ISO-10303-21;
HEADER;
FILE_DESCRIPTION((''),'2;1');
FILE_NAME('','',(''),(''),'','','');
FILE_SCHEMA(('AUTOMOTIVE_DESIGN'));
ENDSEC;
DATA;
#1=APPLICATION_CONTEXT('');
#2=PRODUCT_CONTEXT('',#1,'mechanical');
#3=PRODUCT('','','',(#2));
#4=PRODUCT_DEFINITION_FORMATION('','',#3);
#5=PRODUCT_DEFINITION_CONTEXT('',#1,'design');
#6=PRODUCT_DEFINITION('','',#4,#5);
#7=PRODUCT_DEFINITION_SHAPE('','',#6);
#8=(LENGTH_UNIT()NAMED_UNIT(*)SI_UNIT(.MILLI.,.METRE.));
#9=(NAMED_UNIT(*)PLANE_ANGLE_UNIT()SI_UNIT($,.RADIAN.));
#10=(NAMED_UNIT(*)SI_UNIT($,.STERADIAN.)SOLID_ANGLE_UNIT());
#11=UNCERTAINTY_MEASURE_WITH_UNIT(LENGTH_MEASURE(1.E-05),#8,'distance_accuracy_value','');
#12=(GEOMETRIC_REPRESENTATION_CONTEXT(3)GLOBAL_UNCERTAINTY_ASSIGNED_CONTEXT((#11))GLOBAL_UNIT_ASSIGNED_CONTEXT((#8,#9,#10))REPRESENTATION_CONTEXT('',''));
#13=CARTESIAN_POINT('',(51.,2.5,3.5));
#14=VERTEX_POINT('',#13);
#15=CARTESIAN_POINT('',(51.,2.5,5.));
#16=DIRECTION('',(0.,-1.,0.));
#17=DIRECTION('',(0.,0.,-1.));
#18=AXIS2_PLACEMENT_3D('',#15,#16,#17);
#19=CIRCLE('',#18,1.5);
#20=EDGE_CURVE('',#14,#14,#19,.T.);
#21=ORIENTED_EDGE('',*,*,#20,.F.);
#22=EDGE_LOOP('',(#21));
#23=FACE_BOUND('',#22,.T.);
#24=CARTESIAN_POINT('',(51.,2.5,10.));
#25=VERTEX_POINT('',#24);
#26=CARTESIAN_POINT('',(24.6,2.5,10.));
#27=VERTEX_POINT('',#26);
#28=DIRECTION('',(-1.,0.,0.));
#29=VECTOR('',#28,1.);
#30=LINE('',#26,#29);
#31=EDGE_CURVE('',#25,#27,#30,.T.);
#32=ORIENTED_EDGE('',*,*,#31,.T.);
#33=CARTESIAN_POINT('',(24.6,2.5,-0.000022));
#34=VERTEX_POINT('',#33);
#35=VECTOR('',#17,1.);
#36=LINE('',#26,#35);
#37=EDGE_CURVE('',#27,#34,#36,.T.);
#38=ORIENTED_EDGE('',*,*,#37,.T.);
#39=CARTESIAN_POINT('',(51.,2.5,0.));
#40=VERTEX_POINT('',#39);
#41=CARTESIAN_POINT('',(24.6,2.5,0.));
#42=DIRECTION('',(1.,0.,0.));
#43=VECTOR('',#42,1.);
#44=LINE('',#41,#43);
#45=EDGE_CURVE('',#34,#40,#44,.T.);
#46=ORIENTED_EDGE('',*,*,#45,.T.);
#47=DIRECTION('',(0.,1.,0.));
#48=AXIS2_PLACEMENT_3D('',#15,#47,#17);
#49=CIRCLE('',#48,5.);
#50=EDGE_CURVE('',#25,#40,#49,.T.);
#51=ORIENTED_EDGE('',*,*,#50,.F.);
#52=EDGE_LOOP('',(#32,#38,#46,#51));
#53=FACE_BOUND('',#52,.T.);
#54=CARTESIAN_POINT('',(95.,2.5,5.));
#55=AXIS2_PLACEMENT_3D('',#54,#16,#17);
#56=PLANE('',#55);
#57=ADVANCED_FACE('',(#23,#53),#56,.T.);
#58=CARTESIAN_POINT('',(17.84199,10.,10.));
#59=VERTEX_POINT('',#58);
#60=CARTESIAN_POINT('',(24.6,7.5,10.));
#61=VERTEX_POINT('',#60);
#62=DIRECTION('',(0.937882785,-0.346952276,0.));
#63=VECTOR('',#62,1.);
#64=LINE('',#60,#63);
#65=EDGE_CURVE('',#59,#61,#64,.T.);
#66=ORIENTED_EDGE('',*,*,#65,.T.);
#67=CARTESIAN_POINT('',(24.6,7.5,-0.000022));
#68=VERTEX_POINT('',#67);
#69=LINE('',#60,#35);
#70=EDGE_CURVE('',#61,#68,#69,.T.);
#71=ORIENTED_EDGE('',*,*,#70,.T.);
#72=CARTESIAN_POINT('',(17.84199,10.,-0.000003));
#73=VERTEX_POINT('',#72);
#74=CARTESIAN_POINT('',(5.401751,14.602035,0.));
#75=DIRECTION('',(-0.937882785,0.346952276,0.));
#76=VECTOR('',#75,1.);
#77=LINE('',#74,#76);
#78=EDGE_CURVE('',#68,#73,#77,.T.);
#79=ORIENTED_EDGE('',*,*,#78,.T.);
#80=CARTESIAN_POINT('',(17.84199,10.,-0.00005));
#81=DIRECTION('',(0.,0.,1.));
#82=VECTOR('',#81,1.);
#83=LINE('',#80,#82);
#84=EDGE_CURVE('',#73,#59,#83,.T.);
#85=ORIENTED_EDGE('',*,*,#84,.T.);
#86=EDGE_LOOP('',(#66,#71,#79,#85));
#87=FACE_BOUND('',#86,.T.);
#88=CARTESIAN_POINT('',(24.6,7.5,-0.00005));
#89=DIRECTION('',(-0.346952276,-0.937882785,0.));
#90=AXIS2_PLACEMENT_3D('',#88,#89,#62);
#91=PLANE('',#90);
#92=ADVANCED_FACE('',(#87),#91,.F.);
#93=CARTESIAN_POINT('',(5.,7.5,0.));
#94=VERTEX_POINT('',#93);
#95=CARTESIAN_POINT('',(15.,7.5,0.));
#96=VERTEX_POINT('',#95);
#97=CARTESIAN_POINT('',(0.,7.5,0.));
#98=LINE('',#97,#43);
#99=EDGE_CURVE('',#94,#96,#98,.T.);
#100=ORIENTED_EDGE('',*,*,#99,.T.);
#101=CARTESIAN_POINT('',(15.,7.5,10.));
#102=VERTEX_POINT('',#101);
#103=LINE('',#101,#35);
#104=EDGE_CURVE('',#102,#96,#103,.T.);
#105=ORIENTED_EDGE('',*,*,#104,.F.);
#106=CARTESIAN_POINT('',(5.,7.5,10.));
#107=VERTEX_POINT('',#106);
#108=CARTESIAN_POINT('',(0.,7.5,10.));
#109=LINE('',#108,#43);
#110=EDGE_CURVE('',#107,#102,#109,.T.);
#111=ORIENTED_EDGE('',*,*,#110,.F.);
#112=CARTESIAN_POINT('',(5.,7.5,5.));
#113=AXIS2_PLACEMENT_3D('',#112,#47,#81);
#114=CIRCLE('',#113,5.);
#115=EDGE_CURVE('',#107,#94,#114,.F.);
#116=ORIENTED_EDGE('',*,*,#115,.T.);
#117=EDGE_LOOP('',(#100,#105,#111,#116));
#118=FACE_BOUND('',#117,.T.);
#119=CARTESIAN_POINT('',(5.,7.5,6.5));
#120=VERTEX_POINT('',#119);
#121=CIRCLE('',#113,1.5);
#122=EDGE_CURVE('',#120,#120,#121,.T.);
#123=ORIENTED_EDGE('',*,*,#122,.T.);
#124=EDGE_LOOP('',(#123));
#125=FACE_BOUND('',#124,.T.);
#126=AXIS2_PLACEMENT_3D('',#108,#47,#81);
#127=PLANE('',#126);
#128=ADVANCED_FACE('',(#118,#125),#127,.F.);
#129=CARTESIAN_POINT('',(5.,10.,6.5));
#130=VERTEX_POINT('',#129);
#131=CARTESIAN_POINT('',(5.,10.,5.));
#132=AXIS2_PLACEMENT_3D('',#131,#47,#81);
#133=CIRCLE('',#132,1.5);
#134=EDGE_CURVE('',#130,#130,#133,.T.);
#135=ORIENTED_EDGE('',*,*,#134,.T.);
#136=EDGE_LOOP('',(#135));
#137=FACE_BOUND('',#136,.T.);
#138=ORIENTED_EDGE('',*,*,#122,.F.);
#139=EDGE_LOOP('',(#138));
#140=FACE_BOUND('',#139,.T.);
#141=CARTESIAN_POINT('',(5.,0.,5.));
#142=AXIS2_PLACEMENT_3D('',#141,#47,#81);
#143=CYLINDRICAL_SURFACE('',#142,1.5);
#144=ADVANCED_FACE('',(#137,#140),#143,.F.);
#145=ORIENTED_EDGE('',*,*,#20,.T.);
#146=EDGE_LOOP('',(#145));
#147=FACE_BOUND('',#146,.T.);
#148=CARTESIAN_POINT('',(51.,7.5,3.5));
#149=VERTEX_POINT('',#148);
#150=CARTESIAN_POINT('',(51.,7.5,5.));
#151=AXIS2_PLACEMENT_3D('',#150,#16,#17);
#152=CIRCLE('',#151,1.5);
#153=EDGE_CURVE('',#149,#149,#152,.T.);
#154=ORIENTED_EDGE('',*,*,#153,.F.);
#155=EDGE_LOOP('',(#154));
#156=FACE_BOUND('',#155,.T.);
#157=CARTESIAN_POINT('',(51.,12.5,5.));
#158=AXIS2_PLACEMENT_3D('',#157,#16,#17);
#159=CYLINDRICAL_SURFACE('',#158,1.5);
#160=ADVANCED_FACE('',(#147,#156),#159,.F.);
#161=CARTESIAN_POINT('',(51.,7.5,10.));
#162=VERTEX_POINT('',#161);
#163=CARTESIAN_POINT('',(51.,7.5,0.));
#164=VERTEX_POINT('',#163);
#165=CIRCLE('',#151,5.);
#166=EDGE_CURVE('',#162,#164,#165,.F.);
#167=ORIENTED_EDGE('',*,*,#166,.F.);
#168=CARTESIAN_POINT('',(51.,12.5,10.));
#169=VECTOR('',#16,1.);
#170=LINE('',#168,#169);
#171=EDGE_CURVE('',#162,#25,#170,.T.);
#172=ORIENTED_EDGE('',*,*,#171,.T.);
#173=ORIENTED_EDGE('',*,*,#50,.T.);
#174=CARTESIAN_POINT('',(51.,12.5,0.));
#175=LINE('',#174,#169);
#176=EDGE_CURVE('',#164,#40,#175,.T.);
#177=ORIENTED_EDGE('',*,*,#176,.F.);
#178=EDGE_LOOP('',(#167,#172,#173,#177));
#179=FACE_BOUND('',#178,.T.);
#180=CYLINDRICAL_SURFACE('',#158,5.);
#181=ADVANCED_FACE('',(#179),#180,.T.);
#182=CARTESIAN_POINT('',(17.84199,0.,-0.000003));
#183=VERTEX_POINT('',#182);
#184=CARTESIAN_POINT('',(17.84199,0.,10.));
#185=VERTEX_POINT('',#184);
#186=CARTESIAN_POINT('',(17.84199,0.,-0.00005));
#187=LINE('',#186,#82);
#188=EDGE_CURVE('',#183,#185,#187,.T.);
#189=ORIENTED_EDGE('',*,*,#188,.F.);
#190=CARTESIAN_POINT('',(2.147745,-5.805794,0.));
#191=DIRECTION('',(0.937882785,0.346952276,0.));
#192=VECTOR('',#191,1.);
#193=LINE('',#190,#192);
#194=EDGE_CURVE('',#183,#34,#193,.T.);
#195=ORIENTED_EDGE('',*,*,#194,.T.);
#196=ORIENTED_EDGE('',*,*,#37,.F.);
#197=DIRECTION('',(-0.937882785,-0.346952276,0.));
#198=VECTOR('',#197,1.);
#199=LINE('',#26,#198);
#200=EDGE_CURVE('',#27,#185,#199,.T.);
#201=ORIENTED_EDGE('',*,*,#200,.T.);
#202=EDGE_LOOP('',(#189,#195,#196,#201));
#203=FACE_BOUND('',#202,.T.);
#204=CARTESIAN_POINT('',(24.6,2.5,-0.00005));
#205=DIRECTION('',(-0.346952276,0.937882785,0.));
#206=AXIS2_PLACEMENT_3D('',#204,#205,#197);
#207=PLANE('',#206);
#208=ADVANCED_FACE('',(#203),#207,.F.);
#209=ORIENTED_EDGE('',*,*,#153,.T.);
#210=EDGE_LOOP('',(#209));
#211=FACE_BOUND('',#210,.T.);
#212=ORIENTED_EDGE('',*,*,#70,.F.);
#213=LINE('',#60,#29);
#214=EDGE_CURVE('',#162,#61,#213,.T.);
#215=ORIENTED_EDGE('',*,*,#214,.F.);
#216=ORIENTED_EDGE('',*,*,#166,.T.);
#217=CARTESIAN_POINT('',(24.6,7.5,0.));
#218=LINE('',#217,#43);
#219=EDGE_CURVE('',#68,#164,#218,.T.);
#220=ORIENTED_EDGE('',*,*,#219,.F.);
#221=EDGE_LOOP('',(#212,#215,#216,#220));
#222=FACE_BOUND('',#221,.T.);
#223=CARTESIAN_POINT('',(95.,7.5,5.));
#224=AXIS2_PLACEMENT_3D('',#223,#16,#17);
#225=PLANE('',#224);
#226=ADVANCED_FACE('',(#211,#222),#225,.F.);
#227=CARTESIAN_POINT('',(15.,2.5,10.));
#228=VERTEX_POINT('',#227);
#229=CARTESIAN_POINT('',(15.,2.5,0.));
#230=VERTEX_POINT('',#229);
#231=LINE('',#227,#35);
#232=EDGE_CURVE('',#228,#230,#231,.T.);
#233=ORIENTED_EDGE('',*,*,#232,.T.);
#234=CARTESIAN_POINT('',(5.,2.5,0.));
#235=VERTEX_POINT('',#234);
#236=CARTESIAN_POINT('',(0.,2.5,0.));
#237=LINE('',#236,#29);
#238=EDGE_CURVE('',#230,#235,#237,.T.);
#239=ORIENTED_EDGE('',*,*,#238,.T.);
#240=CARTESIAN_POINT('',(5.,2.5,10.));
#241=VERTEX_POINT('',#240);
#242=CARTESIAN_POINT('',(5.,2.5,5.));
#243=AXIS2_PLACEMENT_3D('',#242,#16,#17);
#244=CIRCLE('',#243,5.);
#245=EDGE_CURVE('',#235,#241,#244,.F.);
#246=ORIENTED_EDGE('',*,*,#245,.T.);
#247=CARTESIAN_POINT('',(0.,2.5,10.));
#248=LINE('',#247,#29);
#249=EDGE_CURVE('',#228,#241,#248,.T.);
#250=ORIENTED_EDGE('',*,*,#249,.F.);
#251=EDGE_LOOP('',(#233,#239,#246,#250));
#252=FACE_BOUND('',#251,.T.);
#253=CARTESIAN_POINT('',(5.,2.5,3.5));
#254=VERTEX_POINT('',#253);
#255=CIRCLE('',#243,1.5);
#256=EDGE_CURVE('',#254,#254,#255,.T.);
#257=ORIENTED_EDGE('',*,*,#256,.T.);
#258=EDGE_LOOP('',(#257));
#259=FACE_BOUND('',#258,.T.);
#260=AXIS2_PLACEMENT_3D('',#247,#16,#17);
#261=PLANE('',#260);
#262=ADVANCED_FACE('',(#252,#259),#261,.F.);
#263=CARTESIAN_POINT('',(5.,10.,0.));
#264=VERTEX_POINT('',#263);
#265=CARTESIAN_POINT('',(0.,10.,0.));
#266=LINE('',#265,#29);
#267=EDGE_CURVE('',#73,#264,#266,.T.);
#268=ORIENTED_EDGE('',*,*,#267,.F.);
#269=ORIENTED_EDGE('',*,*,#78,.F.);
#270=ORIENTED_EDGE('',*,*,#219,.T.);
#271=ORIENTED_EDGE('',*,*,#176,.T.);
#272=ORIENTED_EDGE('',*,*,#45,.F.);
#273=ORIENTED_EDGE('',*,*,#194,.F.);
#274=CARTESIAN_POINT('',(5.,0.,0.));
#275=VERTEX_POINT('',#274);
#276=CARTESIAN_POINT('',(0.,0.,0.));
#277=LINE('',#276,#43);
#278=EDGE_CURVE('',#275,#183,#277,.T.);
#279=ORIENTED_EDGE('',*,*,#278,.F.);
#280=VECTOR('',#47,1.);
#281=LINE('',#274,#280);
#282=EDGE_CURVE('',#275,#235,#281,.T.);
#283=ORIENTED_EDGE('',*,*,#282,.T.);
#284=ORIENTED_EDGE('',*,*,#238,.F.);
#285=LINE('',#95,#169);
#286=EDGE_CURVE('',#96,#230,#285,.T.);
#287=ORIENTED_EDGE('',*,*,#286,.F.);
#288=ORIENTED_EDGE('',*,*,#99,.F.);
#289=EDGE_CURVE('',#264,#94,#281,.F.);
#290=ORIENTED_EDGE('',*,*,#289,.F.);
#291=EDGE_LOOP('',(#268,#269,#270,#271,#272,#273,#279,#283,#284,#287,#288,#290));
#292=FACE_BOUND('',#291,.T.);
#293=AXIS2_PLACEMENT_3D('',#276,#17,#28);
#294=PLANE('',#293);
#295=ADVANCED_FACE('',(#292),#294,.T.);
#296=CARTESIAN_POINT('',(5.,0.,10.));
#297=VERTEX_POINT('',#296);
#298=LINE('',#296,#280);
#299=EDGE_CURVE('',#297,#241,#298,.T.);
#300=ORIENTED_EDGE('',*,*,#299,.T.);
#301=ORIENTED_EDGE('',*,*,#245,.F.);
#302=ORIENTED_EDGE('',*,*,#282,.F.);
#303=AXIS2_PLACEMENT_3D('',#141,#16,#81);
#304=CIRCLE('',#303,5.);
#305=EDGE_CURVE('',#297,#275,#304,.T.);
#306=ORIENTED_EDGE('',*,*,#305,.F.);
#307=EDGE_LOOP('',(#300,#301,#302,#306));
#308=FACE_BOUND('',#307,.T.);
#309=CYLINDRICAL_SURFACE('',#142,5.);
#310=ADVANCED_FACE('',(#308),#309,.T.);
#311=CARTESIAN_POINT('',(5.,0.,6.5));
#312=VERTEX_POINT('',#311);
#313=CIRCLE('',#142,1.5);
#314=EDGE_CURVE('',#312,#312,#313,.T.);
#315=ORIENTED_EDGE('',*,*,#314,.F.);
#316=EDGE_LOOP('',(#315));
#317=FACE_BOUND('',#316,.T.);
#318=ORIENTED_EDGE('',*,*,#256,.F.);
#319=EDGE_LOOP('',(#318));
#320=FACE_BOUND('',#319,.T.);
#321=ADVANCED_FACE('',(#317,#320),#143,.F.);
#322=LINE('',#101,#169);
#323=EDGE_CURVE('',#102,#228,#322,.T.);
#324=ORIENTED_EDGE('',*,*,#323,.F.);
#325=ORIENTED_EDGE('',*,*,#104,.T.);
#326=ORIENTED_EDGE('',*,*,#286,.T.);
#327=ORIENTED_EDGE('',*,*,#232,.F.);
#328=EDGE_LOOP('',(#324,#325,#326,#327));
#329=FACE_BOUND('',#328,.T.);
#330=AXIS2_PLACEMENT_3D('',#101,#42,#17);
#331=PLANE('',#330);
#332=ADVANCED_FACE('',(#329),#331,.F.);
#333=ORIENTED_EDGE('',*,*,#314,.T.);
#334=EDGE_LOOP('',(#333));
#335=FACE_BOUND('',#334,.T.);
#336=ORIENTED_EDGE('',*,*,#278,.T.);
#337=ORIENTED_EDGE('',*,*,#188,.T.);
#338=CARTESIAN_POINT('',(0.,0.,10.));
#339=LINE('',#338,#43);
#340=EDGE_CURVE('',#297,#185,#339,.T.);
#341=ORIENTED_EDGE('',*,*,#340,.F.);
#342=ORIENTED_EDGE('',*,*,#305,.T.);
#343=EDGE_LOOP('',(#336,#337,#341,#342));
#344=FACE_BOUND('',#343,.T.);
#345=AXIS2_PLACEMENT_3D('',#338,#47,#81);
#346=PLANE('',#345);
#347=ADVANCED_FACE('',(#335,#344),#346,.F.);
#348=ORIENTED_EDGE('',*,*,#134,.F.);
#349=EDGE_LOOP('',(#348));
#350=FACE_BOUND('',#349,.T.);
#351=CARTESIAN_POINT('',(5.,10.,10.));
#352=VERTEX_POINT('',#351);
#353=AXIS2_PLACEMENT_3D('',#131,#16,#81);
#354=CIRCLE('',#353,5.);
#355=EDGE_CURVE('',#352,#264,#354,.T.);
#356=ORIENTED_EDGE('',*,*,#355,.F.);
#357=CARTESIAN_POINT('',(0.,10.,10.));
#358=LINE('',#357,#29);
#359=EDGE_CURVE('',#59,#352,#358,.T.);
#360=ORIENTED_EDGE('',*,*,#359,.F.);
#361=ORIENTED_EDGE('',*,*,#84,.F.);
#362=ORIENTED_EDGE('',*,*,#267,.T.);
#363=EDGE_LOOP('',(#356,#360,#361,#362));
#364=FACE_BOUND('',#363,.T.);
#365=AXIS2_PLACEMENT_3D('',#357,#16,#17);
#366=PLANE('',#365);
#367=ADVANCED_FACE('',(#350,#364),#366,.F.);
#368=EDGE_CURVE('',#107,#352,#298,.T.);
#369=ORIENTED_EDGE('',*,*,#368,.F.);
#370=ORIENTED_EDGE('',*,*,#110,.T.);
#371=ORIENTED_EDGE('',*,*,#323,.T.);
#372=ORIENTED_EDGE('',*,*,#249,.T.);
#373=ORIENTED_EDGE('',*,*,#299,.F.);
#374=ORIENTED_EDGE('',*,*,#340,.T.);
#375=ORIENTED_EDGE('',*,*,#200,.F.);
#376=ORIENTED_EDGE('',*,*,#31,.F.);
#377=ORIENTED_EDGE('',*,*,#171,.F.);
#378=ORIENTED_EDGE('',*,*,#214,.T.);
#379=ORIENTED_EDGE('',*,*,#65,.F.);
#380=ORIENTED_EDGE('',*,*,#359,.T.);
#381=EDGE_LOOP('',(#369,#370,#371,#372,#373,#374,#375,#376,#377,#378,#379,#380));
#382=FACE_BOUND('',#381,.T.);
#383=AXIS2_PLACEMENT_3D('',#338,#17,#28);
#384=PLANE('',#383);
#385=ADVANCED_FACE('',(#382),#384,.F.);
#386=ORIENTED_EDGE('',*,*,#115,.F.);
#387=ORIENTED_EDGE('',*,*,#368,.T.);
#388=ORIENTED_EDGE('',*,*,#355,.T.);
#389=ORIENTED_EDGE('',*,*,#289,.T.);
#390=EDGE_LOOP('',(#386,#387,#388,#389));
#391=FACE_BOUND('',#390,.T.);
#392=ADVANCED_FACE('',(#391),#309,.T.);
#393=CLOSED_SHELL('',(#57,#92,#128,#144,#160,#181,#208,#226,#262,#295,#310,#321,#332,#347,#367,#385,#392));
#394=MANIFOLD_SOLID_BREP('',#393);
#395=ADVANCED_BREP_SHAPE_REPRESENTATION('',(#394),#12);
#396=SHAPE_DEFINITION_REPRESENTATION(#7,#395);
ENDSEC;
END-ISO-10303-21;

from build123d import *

# Parameters (mm, degrees)
SALIENTE_EXTRUIR1_DEPTH = 10
CROQUIS2_R              = 1.5
CORTAR_EXTRUIR1_DEPTH   = 10
CROQUIS3_W              = 15
CROQUIS3_H              = 2.5
CORTAR_EXTRUIR2_DEPTH   = 10
CROQUIS4_R              = 1.5
CORTAR_EXTRUIR3_DEPTH   = 10
CORTAR_EXTRUIR5_DEPTH   = 10
CROQUIS9_R              = 1.5
SALIENTE_EXTRUIR2_DEPTH = 2.5
CROQUIS11_R             = 1.5
CORTAR_EXTRUIR8_DEPTH   = 10
CORTAR_EXTRUIR9_DEPTH   = 58.758116313


with BuildPart() as part:
    # Croquis1 → Saliente-Extruir1 (new body)
    with BuildSketch(Plane.XY):
        Polygon((0, 0), (39.6, 0), (39.6, 2.5), (39.6, 7.5), (39.6, 10), (0, 10), (0, 7.5), (15, 7.5), (15, 2.5), (0, 2.5), align=None)
    extrude(amount=SALIENTE_EXTRUIR1_DEPTH)

    # Croquis2 → Cortar-Extruir1 (cut)
    with BuildSketch(Plane(origin=(0, 10, 0), x_dir=(1, 0, 0), z_dir=(0, 1, 0))):
        with Locations(Location((5, -5, 0), (0, 0, 270))):
            Circle(CROQUIS2_R)
        with BuildLine():
            Line((-4.031911586, 0), (5, 0))
            ThreePointArc((5, 0), (0, -5), (5, -10))
            Line((5, -10), (-4.031911586, -10))
            Line((-4.031911586, -10), (-4.031911586, 0))
        make_face()
    extrude(amount=-CORTAR_EXTRUIR1_DEPTH, mode=Mode.SUBTRACT)

    # Croquis3 → Cortar-Extruir2 (cut)
    with BuildSketch(Plane(origin=(0, 10, 0), x_dir=(1, 0, 0), z_dir=(0, 1, 0))):
        with Locations((32.1, -1.25)):
            Rectangle(CROQUIS3_W, CROQUIS3_H)
        with Locations((32.1, -8.75)):
            Rectangle(CROQUIS3_W, CROQUIS3_H)
    extrude(amount=-CORTAR_EXTRUIR2_DEPTH, mode=Mode.SUBTRACT)

    # Croquis4 → Cortar-Extruir3 (cut)
    with BuildSketch(Plane.XY.offset(7.5)):
        with Locations((34.6, 5)):
            Circle(CROQUIS4_R)
        with BuildLine():
            Line((34.6, 10), (103.004091933, 10))
            Line((103.004091933, 10), (103.004091933, 0))
            Line((103.004091933, 0), (34.6, 0))
            ThreePointArc((34.6, 0), (39.6, 5), (34.6, 10))
        make_face()
    extrude(amount=-CORTAR_EXTRUIR3_DEPTH, mode=Mode.SUBTRACT)

    # Croquis8 → Cortar-Extruir5 (cut)
    with BuildSketch(Plane.XY.offset(7.5)):
        with BuildLine():
            Line((24.6, 0), (34.6, 0))
            ThreePointArc((34.6, 0), (39.6, 5), (34.6, 10))
            Line((34.6, 10), (24.6, 10))
            Line((24.6, 10), (24.6, 0))
        make_face()
    extrude(amount=-CORTAR_EXTRUIR5_DEPTH, mode=Mode.SUBTRACT)

    # Croquis9 → Saliente-Extruir2 (add, symmetric)
    with BuildSketch(Plane(origin=(0, 5, 0), x_dir=(-1, 0, 0), z_dir=(0, -1, 0))):
        with BuildLine():
            Line((-24.6, -10), (-95, -10))
            ThreePointArc((-95, -10), (-100, -5), (-95, 0))
            Line((-95, 0), (-24.6, 0))
            Line((-24.6, 0), (-24.6, -10))
        make_face()
        with Locations(Location((-95, -5, 0), (0, 0, 90))):
            Circle(CROQUIS9_R, mode=Mode.SUBTRACT)
    extrude(amount=SALIENTE_EXTRUIR2_DEPTH, both=True)

    # Croquis11 → Cortar-Extruir8 (cut)
    with BuildSketch(Plane.XZ.offset(-2.5)):
        with Locations(Location((51, 5, 0), (0, 0, 270))):
            Circle(CROQUIS11_R)
        with BuildLine():
            Line((51, 10), (51, 16.019823118))
            Line((51, 16.019823118), (124.451684226, 16.019823118))
            Line((124.451684226, 16.019823118), (123.024656772, -12.837843177))
            Line((123.024656772, -12.837843177), (54.838697363, -9.466010019))
            Line((54.838697363, -9.466010019), (51, 0))
            ThreePointArc((51, 0), (56, 5), (51, 10))
        make_face()
    extrude(amount=-CORTAR_EXTRUIR8_DEPTH, mode=Mode.SUBTRACT)

    # Croquis12 → Cortar-Extruir9 (cut, through all)
    with BuildSketch(Plane.XY.offset(10)):
        Polygon((24.6, 7.5), (17.841989968, 10), (24.6, 10), align=None)
        Polygon((24.6, 2.5), (17.841989968, 0), (24.6, 0), align=None)
    extrude(amount=-CORTAR_EXTRUIR9_DEPTH, mode=Mode.SUBTRACT)


solid = part.part
